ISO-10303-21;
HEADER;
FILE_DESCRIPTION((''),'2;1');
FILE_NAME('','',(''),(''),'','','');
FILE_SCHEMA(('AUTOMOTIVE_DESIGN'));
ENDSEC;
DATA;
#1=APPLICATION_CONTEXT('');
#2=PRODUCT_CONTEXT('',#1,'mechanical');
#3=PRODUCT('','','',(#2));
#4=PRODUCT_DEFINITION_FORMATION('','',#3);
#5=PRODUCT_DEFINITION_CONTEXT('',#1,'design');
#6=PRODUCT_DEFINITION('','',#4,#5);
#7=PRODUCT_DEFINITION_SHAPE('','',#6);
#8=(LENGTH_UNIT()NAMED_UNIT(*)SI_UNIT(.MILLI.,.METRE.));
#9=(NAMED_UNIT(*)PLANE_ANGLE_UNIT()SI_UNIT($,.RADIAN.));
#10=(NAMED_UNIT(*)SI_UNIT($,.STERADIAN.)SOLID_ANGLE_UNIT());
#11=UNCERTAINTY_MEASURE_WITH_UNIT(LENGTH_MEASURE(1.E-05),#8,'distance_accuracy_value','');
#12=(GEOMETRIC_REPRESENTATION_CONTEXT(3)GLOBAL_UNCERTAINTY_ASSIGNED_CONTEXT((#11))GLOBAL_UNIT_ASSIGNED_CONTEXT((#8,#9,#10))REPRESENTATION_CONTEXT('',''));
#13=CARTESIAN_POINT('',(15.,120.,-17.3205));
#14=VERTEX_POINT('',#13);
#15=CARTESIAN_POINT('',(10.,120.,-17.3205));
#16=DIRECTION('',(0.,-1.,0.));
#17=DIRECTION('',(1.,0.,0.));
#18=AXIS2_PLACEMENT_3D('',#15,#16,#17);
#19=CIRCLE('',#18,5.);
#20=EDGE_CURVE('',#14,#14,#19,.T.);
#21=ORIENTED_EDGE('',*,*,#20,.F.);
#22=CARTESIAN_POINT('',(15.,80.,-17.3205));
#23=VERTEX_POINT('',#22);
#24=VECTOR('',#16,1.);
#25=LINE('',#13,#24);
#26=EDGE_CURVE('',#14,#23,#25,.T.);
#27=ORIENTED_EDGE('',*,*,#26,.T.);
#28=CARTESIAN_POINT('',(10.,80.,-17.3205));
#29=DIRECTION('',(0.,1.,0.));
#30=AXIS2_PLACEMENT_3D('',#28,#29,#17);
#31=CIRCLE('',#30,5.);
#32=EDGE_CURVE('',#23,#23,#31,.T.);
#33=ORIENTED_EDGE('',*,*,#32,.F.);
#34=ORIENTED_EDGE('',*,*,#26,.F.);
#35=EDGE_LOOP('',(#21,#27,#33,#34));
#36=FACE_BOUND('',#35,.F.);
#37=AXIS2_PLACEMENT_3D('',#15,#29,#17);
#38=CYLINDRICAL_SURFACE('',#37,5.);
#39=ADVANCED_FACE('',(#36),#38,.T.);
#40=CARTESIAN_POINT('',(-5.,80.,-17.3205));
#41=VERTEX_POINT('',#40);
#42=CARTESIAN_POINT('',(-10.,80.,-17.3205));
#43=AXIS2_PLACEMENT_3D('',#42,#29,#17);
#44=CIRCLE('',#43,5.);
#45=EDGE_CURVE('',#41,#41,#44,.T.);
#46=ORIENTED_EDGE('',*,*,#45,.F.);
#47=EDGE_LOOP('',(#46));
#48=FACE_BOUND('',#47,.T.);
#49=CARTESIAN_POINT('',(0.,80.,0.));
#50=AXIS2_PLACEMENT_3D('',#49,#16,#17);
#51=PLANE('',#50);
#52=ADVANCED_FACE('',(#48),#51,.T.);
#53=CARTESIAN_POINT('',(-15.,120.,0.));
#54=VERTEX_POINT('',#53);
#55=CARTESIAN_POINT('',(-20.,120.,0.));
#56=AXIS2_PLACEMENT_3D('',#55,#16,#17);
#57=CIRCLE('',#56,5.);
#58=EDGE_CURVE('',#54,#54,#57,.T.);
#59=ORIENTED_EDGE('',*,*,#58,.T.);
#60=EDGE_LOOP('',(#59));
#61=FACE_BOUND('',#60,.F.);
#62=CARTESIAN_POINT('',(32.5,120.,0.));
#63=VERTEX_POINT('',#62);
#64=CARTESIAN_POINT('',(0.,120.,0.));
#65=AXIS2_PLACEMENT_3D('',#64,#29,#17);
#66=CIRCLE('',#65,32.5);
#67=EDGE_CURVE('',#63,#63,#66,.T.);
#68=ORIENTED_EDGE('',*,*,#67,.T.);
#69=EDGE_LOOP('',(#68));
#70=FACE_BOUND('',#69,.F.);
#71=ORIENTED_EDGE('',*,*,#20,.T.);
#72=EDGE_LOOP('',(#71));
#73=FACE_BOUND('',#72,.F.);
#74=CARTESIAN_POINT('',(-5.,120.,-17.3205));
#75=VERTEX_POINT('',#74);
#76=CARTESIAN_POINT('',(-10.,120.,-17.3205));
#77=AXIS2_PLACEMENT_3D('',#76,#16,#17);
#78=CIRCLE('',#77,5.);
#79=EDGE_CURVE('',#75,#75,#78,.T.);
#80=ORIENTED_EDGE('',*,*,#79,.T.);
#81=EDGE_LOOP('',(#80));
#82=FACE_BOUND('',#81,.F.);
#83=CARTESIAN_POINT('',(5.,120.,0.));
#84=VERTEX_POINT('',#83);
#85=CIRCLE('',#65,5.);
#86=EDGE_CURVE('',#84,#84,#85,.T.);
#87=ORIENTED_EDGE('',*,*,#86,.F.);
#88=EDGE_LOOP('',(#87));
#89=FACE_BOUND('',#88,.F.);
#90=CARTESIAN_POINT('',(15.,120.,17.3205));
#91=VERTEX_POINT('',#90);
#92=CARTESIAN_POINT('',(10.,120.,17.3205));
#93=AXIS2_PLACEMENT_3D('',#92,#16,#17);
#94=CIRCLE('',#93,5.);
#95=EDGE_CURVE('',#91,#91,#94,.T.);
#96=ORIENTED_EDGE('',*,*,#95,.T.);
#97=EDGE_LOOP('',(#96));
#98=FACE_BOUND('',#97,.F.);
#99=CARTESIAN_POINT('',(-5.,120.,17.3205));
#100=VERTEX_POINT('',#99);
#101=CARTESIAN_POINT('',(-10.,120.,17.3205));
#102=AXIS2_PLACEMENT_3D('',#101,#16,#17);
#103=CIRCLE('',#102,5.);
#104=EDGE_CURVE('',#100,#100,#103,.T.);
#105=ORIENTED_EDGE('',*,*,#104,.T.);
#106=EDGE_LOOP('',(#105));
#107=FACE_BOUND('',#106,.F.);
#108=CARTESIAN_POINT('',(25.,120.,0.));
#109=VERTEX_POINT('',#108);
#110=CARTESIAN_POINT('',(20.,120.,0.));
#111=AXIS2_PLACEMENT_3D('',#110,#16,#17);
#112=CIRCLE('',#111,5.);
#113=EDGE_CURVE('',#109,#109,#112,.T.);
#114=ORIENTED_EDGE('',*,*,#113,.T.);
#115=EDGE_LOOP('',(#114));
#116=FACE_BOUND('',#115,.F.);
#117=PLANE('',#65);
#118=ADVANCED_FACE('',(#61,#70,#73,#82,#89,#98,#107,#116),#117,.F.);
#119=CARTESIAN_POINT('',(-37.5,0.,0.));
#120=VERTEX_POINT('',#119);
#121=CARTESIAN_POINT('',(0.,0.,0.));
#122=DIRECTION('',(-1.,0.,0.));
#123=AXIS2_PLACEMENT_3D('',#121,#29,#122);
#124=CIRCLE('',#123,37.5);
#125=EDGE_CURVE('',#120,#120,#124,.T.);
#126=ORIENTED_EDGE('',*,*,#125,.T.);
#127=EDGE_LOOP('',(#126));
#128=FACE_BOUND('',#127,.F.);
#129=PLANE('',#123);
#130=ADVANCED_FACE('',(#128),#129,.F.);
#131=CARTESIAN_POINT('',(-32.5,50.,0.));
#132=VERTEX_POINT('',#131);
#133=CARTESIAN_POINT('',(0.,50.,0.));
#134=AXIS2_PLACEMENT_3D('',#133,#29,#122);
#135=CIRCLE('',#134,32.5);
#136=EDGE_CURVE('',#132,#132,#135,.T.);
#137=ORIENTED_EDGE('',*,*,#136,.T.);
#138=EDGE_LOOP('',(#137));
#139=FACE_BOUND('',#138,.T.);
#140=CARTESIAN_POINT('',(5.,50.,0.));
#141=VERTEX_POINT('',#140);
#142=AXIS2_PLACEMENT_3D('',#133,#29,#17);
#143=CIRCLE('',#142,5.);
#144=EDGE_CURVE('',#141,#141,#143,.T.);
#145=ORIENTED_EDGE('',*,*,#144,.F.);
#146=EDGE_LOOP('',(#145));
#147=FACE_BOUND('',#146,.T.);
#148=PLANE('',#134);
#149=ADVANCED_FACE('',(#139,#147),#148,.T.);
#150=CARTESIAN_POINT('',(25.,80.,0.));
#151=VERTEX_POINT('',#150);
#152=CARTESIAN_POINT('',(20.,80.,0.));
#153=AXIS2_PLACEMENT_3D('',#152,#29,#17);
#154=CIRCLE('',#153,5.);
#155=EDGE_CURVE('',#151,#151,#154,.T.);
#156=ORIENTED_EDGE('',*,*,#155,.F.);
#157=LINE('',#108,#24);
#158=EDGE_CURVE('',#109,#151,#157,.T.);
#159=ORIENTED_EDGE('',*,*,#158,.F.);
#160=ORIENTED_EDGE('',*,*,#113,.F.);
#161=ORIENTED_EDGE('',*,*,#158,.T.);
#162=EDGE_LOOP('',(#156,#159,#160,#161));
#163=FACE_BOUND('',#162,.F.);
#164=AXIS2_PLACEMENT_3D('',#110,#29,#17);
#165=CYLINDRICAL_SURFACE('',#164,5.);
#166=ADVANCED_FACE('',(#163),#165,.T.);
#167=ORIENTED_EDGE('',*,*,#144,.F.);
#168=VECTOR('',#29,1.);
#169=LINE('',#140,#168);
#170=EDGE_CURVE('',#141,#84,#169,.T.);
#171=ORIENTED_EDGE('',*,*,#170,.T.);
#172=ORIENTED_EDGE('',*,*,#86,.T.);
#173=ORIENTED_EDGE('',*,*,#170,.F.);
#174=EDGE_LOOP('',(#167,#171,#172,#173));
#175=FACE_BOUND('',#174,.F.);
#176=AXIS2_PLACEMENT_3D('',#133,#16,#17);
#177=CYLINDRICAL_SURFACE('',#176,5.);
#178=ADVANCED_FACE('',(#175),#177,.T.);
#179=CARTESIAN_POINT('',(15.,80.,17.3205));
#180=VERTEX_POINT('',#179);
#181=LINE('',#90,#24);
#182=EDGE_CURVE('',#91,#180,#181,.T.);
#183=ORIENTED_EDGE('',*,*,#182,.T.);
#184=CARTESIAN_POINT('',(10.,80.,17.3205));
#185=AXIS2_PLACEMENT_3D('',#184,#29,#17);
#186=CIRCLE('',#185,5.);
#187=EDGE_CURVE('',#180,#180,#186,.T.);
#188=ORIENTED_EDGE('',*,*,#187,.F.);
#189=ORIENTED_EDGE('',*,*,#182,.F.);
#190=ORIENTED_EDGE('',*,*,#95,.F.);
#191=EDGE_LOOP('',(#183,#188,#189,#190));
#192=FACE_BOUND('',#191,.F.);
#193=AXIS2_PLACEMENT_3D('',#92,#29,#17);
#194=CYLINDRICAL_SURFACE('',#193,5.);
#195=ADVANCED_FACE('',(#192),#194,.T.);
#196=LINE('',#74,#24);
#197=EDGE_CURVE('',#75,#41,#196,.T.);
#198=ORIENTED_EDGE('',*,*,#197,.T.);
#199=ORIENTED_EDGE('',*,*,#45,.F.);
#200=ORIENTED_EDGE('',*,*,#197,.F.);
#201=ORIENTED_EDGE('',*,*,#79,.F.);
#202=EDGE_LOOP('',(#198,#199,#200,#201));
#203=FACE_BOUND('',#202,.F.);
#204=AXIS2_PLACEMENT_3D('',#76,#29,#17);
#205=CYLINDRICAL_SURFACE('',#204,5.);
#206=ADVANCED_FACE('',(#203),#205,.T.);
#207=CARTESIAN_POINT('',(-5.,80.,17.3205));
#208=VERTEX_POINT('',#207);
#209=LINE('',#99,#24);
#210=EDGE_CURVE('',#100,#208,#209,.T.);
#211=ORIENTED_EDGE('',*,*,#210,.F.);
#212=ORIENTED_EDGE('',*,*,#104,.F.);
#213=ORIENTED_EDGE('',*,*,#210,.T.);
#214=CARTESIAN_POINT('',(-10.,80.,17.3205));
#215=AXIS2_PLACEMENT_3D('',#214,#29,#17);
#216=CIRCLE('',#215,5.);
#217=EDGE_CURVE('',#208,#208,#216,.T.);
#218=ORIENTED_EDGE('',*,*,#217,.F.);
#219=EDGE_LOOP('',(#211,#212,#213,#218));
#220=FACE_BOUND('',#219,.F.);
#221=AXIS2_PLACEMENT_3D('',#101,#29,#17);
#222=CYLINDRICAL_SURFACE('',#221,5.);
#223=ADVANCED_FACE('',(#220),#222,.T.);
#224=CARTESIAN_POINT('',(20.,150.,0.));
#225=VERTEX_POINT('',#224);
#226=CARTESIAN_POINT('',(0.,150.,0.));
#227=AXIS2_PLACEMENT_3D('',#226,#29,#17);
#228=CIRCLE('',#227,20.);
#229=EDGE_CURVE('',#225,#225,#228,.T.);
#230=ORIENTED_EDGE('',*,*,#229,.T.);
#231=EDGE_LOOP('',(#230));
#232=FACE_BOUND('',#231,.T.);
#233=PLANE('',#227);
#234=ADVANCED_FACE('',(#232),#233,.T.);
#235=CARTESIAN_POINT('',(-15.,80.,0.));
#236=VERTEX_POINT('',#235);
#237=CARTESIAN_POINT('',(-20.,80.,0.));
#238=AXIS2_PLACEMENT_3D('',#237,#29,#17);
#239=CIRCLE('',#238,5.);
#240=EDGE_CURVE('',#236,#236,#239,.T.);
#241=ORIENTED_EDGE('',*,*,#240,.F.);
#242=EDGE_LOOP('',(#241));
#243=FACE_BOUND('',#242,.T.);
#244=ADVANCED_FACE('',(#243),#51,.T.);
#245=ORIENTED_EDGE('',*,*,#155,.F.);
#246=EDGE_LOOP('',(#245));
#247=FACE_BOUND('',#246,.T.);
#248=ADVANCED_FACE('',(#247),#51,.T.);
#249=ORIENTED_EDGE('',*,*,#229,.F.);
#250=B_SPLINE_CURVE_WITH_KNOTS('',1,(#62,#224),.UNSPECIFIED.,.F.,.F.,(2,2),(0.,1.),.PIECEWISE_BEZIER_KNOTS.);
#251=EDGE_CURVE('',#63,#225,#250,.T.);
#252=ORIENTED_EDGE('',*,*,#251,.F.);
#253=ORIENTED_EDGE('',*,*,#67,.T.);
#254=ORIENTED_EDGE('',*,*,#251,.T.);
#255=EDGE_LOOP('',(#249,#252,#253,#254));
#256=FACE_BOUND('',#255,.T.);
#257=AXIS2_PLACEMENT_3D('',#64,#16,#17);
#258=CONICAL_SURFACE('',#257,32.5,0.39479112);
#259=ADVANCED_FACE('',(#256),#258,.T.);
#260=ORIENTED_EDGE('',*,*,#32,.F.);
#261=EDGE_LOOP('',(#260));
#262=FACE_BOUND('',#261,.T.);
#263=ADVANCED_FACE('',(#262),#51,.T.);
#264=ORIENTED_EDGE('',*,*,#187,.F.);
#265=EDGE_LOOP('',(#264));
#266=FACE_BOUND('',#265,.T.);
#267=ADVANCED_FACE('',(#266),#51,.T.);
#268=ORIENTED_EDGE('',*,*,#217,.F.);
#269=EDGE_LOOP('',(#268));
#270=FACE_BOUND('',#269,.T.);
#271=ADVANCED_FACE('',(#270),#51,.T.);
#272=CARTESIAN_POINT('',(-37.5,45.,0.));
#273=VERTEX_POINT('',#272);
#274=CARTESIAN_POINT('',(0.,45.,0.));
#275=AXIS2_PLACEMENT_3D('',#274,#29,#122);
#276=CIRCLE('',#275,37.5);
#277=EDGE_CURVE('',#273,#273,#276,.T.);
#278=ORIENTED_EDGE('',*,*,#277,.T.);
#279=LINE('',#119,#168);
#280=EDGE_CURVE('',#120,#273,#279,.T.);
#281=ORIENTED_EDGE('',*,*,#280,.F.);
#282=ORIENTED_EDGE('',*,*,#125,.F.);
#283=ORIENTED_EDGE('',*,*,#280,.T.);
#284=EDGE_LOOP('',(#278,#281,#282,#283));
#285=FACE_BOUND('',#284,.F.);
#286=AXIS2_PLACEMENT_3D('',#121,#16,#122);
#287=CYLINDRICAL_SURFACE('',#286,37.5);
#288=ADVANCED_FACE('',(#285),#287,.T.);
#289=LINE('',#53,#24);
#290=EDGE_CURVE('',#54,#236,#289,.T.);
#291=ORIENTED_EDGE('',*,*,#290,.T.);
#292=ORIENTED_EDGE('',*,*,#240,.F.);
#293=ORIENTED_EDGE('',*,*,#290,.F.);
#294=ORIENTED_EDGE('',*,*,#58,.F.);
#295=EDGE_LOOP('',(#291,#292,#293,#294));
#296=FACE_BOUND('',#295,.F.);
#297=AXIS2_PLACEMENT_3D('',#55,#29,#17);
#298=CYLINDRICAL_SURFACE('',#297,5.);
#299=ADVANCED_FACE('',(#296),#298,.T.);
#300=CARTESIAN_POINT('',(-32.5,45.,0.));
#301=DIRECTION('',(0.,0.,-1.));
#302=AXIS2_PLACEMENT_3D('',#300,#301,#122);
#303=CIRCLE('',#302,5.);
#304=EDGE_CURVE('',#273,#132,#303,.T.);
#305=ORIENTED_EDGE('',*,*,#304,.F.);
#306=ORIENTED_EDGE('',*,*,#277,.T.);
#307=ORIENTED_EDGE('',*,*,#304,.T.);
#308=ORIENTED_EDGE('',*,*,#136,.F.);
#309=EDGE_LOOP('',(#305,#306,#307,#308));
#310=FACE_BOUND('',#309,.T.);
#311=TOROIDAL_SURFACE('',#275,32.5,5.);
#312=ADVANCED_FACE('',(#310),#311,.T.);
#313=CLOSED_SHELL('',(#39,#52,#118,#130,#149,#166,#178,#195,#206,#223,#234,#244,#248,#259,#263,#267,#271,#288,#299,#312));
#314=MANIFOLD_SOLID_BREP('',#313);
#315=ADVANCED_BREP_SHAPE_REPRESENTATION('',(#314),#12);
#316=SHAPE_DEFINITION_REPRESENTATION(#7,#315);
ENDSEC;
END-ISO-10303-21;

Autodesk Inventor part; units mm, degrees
ref_plane "YZ Plane" through (0, 0, 0) normal (1, 0, 0) x (0, 1, 0)
ref_plane "XZ Plane" through (0, 0, 0) normal (0, 1, 0) x (-1, 0, 0)
ref_plane "XY Plane" through (0, 0, 0) normal (0, 0, 1) x (1, 0, 0)
sketch "Sketch1" plane through (0, 0, 0) normal (0, 1, 0) x (-1, 0, 0)
  circle A0 centre (0, 0) radius 37.5
  dimension "d0" = 75
extrude "Extrusion1" add sketch "Sketch1" along normal blind 50
fillet "Fillet1" radius 5 1 edges at (37.5, 50, 0)
sketch "Sketch2" plane through (0, 50, 0) normal (0, 1, 0) x (1, 0, 0)
  circle A0 centre (0, 0) radius 5
  dimension "d4" = 10
extrude "Extrusion2" add sketch "Sketch2" along normal blind 70
sketch "Sketch3" plane through (0, 120, 0) normal (0, 1, 0) x (1, 0, 0)
  circle A0 centre (0, 0) radius 32.5
  dimension "d7" = 65
ref_plane "Work Plane1" through (0, 150, 0) normal (0, 1, 0) x (1, 0, 0)
sketch "Sketch4" plane through (0, 150, 0) normal (0, 1, 0) x (1, 0, 0)
  circle A0 centre (0, 0) radius 20
  dimension "d9" = 40
loft "Loft1" add profiles "Sketch3", "Sketch4"
sketch "Sketch5" plane through (0, 120, 0) normal (0, -1, 0) x (1, 0, 0)
  circle A0 centre (0, 0) radius 20 projected
  circle A1 centre (-20, 0) radius 5
  circle A2 centre (0, 0) radius 5 projected
  circle A3 centre (-10, -17.3205) radius 5
  circle A4 centre (10, -17.3205) radius 5
  circle A5 centre (20, 0) radius 5
  circle A6 centre (10, 17.3205) radius 5
  circle A7 centre (-10, 17.3205) radius 5
  dimension "d14" = 10
  dimension "d15" = 20
  dimension "d18" = 360
extrude "Extrusion3" add sketch "Sketch5" along normal blind 40 contours A0 A5 | A0 A5 | A6 A0 | A0 A6 | A4 A0 | A0 A4 | A7 A0 | A0 A7 | A3 A0 | A0 A3 | A1 A0 | A0 A1
properties part number "Main_Tower"
